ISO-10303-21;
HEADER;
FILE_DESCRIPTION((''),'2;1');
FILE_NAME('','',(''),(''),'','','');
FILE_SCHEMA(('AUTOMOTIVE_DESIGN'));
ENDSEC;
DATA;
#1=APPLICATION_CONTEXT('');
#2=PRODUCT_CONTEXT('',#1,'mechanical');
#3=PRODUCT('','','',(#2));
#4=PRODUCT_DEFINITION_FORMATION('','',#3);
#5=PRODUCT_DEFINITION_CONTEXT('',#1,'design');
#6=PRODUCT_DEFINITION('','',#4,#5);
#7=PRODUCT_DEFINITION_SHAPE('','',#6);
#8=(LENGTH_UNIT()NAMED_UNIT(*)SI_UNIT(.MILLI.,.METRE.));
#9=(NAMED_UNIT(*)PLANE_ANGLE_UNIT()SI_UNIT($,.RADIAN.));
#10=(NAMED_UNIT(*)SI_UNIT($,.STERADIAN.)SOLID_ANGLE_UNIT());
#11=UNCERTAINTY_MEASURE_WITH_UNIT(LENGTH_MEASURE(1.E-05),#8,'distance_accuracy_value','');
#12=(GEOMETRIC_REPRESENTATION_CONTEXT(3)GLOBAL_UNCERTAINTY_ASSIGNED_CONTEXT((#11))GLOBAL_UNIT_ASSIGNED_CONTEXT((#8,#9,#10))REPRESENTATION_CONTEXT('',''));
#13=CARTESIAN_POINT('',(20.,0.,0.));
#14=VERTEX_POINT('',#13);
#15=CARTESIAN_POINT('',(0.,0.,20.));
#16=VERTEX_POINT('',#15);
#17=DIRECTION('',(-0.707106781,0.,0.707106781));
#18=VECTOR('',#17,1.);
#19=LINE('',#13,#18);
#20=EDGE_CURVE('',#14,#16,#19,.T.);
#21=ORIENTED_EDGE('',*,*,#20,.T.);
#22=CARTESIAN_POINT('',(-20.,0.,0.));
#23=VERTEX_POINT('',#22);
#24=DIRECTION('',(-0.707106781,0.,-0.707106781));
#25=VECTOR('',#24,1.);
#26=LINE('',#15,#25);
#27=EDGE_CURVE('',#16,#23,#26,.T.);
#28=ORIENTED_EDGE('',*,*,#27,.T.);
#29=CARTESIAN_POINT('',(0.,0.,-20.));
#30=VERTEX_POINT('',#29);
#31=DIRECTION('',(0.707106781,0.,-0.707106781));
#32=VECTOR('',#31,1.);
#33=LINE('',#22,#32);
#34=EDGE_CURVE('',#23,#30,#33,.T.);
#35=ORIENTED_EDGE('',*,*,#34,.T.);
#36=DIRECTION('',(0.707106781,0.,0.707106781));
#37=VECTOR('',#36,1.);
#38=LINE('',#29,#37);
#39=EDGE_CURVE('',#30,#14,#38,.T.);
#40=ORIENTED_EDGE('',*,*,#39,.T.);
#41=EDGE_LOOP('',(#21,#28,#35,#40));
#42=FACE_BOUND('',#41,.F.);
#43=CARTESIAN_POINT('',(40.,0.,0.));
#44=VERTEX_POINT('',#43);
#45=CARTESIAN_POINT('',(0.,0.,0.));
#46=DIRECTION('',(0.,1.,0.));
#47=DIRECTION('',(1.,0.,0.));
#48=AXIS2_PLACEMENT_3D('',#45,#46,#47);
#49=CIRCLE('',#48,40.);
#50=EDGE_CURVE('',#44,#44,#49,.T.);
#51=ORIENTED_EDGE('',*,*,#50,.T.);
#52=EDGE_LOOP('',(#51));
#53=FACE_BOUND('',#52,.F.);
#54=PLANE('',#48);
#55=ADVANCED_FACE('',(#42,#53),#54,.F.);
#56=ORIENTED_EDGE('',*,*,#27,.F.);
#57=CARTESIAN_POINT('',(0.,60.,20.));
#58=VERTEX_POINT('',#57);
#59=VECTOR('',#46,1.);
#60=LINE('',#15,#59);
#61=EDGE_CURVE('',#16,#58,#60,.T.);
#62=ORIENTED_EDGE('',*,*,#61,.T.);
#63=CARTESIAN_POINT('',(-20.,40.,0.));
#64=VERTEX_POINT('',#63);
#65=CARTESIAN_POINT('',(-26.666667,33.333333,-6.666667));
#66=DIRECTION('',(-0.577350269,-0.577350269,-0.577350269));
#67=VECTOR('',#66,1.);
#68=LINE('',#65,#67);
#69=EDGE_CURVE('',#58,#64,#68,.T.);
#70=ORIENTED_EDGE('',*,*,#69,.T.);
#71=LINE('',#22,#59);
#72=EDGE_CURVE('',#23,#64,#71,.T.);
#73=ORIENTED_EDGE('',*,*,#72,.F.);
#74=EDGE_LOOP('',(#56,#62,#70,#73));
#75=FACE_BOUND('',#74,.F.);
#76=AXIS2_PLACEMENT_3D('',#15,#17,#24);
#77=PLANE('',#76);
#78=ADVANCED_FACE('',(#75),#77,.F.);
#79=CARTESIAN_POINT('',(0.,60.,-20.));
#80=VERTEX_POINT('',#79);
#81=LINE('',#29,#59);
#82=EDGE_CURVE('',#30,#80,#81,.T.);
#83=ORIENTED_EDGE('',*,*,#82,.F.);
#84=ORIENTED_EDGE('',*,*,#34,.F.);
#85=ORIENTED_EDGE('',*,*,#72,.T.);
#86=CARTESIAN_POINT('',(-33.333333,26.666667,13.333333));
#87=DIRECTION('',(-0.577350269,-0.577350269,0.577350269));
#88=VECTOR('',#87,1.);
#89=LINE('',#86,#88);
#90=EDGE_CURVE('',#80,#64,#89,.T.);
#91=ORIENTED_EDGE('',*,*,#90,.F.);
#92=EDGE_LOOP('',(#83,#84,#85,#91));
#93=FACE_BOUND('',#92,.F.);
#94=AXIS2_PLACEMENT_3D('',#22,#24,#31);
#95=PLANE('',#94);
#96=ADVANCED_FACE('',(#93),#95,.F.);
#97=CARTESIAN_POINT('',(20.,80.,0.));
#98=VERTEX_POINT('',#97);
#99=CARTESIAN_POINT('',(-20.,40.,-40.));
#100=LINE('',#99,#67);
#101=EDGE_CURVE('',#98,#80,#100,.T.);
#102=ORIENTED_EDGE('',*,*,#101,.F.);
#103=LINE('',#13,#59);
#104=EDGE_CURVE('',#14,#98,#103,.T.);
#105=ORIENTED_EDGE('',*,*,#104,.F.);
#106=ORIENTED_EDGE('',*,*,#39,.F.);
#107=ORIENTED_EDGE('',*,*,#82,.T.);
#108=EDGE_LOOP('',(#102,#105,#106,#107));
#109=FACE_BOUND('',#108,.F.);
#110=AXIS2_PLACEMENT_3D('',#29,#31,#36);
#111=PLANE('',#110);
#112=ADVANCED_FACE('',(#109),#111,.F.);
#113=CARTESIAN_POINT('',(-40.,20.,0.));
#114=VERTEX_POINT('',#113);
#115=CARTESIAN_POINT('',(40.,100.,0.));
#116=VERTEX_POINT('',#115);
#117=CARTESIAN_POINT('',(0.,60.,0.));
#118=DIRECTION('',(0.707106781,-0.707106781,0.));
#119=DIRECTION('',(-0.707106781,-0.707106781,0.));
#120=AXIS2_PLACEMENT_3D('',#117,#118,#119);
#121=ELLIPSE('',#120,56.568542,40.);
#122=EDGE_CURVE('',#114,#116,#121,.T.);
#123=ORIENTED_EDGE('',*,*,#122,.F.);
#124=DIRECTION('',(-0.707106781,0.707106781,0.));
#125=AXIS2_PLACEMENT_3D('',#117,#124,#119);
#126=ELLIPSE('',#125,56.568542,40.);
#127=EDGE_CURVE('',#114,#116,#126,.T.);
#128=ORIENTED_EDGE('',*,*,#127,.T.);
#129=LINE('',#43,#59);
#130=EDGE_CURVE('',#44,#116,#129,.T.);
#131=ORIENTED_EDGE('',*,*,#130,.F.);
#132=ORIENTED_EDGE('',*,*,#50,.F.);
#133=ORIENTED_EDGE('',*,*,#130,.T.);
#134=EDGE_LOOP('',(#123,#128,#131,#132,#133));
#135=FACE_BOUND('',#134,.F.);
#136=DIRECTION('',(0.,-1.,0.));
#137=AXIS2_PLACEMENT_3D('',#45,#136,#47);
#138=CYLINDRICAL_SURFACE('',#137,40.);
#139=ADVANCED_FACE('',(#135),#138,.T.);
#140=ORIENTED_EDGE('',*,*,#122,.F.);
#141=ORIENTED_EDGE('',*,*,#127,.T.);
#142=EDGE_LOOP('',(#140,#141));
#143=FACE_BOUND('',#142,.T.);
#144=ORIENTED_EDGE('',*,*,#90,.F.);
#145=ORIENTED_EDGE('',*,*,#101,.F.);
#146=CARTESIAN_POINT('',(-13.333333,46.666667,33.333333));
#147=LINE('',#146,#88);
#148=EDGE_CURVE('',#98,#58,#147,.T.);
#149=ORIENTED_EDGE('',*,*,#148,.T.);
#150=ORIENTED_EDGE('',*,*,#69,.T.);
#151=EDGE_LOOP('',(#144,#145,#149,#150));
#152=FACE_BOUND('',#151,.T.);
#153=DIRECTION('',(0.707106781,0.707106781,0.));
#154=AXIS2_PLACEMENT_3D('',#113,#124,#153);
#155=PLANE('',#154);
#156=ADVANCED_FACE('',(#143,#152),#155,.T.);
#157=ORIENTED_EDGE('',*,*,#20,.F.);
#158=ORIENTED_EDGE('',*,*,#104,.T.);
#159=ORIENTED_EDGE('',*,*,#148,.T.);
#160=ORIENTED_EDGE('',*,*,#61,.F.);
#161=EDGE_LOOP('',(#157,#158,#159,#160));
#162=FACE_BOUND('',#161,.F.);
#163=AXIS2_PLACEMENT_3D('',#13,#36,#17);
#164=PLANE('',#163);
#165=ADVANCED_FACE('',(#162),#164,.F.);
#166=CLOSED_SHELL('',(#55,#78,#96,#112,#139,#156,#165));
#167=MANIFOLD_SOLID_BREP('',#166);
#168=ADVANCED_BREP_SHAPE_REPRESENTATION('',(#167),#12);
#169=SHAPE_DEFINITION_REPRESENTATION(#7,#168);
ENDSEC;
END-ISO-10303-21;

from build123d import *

# Parameters (mm, degrees)
SKETCH1_R               = 40
BOSS_EXTRUDE1_DEPTH     = 100
CUT_EXTRUDE1_DEPTH      = 41
CUT_EXTRUDE1_DEPTH_BACK = 41


with BuildPart() as part:
    # Sketch1 → Boss-Extrude1 (new body)
    with BuildSketch(Plane(origin=(0, 0, 0), x_dir=(1, 0, 0), z_dir=(0, 1, 0))):
        Circle(SKETCH1_R)
        Polygon((0, -20), (-20, 0), (0, 20), (20, 0), align=None, mode=Mode.SUBTRACT)
    extrude(amount=BOSS_EXTRUDE1_DEPTH)

    # Sketch2 → Cut-Extrude1 (cut, two sides)
    with BuildSketch(Plane.XY) as cut_extrude1_sk:
        Polygon((-40, 20), (40, 100), (-40, 100), align=None)
    extrude(amount=CUT_EXTRUDE1_DEPTH, mode=Mode.SUBTRACT)
    extrude(cut_extrude1_sk.sketch, amount=-CUT_EXTRUDE1_DEPTH_BACK, mode=Mode.SUBTRACT)


solid = part.part
